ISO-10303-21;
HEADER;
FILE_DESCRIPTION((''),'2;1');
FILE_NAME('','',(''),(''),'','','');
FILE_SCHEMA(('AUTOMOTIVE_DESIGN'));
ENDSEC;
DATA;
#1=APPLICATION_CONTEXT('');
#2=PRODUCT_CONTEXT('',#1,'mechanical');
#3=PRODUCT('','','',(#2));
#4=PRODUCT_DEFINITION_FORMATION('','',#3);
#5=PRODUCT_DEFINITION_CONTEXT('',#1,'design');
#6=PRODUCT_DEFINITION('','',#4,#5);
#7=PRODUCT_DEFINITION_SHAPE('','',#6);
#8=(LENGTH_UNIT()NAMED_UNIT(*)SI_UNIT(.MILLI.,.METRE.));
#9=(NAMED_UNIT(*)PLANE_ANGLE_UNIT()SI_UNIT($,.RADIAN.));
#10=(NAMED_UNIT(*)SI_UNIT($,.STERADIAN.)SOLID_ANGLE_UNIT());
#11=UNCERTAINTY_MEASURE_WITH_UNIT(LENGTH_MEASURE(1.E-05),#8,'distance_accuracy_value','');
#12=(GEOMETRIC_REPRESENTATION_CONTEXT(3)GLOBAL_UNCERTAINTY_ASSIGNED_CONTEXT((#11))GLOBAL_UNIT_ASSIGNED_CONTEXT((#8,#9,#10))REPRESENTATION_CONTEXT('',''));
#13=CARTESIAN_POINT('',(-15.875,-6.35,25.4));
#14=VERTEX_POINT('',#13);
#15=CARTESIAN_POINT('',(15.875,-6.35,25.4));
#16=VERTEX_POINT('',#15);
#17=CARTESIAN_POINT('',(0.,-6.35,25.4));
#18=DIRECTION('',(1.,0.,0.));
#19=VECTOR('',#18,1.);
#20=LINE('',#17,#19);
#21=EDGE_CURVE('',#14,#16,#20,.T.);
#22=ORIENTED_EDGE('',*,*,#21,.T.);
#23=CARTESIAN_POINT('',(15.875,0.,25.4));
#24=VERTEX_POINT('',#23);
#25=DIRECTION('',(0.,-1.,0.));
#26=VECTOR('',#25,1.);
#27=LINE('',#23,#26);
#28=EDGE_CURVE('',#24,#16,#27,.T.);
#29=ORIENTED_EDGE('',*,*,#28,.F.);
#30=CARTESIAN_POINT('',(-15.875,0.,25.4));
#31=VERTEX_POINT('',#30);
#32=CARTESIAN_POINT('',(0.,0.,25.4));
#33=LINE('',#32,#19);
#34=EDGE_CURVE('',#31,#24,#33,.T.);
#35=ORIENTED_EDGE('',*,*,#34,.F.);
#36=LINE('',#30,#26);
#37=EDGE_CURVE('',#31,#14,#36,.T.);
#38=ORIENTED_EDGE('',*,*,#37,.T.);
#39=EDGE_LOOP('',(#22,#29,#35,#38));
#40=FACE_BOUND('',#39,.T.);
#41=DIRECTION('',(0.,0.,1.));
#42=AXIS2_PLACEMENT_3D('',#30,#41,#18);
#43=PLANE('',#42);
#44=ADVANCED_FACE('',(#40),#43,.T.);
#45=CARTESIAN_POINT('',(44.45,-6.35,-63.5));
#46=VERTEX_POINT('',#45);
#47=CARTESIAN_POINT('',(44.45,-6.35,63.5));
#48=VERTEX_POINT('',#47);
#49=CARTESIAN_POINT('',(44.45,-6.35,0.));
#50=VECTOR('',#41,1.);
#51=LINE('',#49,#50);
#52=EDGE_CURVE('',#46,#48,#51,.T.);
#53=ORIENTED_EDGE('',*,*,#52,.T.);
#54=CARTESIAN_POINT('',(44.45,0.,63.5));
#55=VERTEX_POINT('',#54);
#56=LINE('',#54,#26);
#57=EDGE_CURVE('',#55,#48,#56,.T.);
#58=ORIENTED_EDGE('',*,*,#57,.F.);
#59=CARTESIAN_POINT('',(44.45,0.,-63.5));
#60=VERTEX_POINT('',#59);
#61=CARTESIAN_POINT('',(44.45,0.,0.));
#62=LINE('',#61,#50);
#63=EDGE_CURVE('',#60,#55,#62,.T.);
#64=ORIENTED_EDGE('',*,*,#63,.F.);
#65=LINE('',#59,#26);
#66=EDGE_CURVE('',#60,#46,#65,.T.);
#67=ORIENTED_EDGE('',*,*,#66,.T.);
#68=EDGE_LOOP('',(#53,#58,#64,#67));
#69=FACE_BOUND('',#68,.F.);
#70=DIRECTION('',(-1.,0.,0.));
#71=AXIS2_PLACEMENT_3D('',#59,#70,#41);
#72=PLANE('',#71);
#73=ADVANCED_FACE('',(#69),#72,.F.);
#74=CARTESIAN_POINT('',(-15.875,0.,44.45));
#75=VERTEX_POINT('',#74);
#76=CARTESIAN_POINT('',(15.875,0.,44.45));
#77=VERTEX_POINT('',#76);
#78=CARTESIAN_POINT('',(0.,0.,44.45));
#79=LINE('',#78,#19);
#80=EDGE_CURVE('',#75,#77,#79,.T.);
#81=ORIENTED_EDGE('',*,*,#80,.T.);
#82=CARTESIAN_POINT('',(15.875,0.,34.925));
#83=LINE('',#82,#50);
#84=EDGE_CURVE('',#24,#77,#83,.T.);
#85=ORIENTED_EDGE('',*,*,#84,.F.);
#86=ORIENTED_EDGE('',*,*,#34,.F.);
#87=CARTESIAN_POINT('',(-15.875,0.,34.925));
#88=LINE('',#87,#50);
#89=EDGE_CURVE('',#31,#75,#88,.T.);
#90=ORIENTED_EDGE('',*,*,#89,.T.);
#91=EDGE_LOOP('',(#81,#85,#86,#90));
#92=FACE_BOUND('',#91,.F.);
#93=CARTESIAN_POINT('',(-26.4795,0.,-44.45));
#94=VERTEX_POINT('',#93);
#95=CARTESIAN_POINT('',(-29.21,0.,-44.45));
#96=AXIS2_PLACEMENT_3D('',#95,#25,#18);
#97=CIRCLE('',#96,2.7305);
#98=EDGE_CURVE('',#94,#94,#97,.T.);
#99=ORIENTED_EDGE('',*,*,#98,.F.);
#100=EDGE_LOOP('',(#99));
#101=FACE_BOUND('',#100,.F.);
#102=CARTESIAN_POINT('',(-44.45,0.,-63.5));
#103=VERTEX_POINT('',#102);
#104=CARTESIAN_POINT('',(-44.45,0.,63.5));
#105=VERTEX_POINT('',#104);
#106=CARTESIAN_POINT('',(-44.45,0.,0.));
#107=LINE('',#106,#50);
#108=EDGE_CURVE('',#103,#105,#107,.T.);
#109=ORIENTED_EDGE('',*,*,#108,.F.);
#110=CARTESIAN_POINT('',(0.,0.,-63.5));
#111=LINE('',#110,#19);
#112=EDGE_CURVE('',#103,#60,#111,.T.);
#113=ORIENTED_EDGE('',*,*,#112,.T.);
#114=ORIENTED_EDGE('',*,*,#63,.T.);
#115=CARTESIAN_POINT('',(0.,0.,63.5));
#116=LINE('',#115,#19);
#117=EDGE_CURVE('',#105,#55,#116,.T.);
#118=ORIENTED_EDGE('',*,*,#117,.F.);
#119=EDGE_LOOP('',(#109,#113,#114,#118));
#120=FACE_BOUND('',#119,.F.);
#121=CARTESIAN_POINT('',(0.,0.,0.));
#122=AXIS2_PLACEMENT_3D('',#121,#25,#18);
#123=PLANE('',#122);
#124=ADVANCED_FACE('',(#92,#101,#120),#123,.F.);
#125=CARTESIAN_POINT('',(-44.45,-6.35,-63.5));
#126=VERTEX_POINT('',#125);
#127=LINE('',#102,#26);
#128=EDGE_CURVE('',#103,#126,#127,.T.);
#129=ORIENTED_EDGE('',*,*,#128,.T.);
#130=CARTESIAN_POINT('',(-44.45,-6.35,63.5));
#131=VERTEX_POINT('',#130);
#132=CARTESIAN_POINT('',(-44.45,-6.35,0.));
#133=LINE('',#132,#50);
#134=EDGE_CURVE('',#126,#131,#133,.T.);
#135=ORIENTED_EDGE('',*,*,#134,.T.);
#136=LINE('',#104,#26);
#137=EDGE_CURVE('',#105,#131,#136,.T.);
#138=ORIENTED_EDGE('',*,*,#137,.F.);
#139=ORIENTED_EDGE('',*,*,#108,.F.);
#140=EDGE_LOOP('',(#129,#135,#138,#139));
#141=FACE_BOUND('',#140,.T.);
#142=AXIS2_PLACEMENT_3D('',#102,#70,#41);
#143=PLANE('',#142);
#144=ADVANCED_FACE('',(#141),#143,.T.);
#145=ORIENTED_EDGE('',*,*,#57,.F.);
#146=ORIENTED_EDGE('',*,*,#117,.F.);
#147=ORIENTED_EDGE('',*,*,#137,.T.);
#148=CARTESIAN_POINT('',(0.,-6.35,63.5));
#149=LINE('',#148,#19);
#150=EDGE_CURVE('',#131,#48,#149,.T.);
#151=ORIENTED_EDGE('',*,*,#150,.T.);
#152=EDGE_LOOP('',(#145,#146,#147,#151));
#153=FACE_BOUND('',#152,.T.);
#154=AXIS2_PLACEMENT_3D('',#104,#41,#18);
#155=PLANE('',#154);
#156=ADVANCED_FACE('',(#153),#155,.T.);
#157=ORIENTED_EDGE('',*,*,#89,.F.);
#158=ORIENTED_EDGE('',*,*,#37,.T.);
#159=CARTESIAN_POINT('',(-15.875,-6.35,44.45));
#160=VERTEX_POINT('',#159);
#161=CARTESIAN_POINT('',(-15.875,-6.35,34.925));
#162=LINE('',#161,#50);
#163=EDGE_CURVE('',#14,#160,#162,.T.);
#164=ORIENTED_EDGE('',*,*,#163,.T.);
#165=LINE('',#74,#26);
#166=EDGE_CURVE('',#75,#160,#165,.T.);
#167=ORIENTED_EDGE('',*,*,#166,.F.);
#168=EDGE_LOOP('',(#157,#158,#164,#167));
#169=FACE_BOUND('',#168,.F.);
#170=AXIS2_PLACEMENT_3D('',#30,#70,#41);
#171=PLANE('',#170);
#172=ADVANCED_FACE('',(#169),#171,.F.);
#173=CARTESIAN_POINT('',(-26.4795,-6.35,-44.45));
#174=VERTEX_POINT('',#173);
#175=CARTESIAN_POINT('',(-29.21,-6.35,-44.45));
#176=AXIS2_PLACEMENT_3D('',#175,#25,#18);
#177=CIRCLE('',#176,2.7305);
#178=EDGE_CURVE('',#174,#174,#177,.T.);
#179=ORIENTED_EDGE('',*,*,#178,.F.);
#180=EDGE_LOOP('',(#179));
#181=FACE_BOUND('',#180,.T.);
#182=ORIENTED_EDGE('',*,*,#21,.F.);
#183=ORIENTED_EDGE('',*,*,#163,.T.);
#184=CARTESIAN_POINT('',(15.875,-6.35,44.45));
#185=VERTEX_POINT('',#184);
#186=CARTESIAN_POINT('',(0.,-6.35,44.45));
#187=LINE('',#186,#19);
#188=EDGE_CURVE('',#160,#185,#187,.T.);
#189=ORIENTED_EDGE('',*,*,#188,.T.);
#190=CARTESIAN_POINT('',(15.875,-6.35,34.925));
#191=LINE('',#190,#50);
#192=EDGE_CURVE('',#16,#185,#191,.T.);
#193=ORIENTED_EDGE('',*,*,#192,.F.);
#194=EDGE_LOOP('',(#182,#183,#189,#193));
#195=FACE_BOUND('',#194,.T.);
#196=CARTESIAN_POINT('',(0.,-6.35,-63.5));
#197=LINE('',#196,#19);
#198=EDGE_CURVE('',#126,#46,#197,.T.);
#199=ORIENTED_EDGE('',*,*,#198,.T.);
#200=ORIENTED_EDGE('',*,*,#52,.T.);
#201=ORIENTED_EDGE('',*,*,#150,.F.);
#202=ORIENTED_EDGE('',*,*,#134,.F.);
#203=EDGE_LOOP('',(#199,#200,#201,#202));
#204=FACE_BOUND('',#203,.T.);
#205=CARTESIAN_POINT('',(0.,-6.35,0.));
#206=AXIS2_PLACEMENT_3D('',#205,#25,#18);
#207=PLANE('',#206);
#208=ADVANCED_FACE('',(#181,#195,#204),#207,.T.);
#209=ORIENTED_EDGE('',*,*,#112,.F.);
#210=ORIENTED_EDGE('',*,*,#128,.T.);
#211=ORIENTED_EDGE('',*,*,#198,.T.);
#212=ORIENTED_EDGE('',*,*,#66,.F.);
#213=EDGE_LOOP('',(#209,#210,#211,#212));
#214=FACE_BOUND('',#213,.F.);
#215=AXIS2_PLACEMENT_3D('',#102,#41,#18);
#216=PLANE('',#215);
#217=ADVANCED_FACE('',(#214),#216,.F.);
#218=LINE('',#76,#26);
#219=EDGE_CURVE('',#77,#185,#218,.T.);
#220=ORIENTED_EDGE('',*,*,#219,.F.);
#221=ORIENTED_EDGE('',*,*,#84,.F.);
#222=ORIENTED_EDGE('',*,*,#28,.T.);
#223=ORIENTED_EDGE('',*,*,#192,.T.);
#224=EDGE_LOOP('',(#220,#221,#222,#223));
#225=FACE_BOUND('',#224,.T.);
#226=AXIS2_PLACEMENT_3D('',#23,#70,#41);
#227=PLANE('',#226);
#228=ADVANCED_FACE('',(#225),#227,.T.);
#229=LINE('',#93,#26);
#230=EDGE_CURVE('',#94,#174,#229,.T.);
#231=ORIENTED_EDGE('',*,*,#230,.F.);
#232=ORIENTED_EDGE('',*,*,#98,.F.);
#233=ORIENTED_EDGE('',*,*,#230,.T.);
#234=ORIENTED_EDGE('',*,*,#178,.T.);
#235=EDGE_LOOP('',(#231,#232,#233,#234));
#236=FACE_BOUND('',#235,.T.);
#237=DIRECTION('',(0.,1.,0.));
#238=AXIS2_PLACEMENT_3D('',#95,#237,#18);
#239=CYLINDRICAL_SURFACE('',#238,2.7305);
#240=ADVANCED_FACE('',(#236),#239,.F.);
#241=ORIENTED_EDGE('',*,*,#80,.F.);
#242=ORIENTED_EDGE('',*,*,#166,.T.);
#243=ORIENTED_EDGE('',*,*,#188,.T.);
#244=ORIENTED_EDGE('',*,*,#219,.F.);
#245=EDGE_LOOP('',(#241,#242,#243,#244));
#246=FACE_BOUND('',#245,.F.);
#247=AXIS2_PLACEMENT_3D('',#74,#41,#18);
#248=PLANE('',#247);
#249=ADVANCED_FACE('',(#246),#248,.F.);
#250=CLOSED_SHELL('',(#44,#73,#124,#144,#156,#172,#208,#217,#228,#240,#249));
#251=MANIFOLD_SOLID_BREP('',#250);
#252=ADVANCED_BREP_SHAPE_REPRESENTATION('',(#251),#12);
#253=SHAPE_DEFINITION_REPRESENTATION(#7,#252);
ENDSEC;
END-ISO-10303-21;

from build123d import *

# Parameters (mm, degrees)
F0_W     = 88.9
F0_H     = 127
F0_R     = 2.7305
F0_W_2   = 31.75
F0_H_2   = 19.05
F1_DEPTH = 6.35


with BuildPart() as f1:
    # F0 (on Front) → F1 (new body)
    with BuildSketch(Plane.XZ):
        Rectangle(F0_W, F0_H)
        with Locations((-29.21, -44.45)):
            Circle(F0_R, mode=Mode.SUBTRACT)
        with Locations((0, 34.925)):
            Rectangle(F0_W_2, F0_H_2, mode=Mode.SUBTRACT)
    extrude(amount=F1_DEPTH)


solid = f1.part
